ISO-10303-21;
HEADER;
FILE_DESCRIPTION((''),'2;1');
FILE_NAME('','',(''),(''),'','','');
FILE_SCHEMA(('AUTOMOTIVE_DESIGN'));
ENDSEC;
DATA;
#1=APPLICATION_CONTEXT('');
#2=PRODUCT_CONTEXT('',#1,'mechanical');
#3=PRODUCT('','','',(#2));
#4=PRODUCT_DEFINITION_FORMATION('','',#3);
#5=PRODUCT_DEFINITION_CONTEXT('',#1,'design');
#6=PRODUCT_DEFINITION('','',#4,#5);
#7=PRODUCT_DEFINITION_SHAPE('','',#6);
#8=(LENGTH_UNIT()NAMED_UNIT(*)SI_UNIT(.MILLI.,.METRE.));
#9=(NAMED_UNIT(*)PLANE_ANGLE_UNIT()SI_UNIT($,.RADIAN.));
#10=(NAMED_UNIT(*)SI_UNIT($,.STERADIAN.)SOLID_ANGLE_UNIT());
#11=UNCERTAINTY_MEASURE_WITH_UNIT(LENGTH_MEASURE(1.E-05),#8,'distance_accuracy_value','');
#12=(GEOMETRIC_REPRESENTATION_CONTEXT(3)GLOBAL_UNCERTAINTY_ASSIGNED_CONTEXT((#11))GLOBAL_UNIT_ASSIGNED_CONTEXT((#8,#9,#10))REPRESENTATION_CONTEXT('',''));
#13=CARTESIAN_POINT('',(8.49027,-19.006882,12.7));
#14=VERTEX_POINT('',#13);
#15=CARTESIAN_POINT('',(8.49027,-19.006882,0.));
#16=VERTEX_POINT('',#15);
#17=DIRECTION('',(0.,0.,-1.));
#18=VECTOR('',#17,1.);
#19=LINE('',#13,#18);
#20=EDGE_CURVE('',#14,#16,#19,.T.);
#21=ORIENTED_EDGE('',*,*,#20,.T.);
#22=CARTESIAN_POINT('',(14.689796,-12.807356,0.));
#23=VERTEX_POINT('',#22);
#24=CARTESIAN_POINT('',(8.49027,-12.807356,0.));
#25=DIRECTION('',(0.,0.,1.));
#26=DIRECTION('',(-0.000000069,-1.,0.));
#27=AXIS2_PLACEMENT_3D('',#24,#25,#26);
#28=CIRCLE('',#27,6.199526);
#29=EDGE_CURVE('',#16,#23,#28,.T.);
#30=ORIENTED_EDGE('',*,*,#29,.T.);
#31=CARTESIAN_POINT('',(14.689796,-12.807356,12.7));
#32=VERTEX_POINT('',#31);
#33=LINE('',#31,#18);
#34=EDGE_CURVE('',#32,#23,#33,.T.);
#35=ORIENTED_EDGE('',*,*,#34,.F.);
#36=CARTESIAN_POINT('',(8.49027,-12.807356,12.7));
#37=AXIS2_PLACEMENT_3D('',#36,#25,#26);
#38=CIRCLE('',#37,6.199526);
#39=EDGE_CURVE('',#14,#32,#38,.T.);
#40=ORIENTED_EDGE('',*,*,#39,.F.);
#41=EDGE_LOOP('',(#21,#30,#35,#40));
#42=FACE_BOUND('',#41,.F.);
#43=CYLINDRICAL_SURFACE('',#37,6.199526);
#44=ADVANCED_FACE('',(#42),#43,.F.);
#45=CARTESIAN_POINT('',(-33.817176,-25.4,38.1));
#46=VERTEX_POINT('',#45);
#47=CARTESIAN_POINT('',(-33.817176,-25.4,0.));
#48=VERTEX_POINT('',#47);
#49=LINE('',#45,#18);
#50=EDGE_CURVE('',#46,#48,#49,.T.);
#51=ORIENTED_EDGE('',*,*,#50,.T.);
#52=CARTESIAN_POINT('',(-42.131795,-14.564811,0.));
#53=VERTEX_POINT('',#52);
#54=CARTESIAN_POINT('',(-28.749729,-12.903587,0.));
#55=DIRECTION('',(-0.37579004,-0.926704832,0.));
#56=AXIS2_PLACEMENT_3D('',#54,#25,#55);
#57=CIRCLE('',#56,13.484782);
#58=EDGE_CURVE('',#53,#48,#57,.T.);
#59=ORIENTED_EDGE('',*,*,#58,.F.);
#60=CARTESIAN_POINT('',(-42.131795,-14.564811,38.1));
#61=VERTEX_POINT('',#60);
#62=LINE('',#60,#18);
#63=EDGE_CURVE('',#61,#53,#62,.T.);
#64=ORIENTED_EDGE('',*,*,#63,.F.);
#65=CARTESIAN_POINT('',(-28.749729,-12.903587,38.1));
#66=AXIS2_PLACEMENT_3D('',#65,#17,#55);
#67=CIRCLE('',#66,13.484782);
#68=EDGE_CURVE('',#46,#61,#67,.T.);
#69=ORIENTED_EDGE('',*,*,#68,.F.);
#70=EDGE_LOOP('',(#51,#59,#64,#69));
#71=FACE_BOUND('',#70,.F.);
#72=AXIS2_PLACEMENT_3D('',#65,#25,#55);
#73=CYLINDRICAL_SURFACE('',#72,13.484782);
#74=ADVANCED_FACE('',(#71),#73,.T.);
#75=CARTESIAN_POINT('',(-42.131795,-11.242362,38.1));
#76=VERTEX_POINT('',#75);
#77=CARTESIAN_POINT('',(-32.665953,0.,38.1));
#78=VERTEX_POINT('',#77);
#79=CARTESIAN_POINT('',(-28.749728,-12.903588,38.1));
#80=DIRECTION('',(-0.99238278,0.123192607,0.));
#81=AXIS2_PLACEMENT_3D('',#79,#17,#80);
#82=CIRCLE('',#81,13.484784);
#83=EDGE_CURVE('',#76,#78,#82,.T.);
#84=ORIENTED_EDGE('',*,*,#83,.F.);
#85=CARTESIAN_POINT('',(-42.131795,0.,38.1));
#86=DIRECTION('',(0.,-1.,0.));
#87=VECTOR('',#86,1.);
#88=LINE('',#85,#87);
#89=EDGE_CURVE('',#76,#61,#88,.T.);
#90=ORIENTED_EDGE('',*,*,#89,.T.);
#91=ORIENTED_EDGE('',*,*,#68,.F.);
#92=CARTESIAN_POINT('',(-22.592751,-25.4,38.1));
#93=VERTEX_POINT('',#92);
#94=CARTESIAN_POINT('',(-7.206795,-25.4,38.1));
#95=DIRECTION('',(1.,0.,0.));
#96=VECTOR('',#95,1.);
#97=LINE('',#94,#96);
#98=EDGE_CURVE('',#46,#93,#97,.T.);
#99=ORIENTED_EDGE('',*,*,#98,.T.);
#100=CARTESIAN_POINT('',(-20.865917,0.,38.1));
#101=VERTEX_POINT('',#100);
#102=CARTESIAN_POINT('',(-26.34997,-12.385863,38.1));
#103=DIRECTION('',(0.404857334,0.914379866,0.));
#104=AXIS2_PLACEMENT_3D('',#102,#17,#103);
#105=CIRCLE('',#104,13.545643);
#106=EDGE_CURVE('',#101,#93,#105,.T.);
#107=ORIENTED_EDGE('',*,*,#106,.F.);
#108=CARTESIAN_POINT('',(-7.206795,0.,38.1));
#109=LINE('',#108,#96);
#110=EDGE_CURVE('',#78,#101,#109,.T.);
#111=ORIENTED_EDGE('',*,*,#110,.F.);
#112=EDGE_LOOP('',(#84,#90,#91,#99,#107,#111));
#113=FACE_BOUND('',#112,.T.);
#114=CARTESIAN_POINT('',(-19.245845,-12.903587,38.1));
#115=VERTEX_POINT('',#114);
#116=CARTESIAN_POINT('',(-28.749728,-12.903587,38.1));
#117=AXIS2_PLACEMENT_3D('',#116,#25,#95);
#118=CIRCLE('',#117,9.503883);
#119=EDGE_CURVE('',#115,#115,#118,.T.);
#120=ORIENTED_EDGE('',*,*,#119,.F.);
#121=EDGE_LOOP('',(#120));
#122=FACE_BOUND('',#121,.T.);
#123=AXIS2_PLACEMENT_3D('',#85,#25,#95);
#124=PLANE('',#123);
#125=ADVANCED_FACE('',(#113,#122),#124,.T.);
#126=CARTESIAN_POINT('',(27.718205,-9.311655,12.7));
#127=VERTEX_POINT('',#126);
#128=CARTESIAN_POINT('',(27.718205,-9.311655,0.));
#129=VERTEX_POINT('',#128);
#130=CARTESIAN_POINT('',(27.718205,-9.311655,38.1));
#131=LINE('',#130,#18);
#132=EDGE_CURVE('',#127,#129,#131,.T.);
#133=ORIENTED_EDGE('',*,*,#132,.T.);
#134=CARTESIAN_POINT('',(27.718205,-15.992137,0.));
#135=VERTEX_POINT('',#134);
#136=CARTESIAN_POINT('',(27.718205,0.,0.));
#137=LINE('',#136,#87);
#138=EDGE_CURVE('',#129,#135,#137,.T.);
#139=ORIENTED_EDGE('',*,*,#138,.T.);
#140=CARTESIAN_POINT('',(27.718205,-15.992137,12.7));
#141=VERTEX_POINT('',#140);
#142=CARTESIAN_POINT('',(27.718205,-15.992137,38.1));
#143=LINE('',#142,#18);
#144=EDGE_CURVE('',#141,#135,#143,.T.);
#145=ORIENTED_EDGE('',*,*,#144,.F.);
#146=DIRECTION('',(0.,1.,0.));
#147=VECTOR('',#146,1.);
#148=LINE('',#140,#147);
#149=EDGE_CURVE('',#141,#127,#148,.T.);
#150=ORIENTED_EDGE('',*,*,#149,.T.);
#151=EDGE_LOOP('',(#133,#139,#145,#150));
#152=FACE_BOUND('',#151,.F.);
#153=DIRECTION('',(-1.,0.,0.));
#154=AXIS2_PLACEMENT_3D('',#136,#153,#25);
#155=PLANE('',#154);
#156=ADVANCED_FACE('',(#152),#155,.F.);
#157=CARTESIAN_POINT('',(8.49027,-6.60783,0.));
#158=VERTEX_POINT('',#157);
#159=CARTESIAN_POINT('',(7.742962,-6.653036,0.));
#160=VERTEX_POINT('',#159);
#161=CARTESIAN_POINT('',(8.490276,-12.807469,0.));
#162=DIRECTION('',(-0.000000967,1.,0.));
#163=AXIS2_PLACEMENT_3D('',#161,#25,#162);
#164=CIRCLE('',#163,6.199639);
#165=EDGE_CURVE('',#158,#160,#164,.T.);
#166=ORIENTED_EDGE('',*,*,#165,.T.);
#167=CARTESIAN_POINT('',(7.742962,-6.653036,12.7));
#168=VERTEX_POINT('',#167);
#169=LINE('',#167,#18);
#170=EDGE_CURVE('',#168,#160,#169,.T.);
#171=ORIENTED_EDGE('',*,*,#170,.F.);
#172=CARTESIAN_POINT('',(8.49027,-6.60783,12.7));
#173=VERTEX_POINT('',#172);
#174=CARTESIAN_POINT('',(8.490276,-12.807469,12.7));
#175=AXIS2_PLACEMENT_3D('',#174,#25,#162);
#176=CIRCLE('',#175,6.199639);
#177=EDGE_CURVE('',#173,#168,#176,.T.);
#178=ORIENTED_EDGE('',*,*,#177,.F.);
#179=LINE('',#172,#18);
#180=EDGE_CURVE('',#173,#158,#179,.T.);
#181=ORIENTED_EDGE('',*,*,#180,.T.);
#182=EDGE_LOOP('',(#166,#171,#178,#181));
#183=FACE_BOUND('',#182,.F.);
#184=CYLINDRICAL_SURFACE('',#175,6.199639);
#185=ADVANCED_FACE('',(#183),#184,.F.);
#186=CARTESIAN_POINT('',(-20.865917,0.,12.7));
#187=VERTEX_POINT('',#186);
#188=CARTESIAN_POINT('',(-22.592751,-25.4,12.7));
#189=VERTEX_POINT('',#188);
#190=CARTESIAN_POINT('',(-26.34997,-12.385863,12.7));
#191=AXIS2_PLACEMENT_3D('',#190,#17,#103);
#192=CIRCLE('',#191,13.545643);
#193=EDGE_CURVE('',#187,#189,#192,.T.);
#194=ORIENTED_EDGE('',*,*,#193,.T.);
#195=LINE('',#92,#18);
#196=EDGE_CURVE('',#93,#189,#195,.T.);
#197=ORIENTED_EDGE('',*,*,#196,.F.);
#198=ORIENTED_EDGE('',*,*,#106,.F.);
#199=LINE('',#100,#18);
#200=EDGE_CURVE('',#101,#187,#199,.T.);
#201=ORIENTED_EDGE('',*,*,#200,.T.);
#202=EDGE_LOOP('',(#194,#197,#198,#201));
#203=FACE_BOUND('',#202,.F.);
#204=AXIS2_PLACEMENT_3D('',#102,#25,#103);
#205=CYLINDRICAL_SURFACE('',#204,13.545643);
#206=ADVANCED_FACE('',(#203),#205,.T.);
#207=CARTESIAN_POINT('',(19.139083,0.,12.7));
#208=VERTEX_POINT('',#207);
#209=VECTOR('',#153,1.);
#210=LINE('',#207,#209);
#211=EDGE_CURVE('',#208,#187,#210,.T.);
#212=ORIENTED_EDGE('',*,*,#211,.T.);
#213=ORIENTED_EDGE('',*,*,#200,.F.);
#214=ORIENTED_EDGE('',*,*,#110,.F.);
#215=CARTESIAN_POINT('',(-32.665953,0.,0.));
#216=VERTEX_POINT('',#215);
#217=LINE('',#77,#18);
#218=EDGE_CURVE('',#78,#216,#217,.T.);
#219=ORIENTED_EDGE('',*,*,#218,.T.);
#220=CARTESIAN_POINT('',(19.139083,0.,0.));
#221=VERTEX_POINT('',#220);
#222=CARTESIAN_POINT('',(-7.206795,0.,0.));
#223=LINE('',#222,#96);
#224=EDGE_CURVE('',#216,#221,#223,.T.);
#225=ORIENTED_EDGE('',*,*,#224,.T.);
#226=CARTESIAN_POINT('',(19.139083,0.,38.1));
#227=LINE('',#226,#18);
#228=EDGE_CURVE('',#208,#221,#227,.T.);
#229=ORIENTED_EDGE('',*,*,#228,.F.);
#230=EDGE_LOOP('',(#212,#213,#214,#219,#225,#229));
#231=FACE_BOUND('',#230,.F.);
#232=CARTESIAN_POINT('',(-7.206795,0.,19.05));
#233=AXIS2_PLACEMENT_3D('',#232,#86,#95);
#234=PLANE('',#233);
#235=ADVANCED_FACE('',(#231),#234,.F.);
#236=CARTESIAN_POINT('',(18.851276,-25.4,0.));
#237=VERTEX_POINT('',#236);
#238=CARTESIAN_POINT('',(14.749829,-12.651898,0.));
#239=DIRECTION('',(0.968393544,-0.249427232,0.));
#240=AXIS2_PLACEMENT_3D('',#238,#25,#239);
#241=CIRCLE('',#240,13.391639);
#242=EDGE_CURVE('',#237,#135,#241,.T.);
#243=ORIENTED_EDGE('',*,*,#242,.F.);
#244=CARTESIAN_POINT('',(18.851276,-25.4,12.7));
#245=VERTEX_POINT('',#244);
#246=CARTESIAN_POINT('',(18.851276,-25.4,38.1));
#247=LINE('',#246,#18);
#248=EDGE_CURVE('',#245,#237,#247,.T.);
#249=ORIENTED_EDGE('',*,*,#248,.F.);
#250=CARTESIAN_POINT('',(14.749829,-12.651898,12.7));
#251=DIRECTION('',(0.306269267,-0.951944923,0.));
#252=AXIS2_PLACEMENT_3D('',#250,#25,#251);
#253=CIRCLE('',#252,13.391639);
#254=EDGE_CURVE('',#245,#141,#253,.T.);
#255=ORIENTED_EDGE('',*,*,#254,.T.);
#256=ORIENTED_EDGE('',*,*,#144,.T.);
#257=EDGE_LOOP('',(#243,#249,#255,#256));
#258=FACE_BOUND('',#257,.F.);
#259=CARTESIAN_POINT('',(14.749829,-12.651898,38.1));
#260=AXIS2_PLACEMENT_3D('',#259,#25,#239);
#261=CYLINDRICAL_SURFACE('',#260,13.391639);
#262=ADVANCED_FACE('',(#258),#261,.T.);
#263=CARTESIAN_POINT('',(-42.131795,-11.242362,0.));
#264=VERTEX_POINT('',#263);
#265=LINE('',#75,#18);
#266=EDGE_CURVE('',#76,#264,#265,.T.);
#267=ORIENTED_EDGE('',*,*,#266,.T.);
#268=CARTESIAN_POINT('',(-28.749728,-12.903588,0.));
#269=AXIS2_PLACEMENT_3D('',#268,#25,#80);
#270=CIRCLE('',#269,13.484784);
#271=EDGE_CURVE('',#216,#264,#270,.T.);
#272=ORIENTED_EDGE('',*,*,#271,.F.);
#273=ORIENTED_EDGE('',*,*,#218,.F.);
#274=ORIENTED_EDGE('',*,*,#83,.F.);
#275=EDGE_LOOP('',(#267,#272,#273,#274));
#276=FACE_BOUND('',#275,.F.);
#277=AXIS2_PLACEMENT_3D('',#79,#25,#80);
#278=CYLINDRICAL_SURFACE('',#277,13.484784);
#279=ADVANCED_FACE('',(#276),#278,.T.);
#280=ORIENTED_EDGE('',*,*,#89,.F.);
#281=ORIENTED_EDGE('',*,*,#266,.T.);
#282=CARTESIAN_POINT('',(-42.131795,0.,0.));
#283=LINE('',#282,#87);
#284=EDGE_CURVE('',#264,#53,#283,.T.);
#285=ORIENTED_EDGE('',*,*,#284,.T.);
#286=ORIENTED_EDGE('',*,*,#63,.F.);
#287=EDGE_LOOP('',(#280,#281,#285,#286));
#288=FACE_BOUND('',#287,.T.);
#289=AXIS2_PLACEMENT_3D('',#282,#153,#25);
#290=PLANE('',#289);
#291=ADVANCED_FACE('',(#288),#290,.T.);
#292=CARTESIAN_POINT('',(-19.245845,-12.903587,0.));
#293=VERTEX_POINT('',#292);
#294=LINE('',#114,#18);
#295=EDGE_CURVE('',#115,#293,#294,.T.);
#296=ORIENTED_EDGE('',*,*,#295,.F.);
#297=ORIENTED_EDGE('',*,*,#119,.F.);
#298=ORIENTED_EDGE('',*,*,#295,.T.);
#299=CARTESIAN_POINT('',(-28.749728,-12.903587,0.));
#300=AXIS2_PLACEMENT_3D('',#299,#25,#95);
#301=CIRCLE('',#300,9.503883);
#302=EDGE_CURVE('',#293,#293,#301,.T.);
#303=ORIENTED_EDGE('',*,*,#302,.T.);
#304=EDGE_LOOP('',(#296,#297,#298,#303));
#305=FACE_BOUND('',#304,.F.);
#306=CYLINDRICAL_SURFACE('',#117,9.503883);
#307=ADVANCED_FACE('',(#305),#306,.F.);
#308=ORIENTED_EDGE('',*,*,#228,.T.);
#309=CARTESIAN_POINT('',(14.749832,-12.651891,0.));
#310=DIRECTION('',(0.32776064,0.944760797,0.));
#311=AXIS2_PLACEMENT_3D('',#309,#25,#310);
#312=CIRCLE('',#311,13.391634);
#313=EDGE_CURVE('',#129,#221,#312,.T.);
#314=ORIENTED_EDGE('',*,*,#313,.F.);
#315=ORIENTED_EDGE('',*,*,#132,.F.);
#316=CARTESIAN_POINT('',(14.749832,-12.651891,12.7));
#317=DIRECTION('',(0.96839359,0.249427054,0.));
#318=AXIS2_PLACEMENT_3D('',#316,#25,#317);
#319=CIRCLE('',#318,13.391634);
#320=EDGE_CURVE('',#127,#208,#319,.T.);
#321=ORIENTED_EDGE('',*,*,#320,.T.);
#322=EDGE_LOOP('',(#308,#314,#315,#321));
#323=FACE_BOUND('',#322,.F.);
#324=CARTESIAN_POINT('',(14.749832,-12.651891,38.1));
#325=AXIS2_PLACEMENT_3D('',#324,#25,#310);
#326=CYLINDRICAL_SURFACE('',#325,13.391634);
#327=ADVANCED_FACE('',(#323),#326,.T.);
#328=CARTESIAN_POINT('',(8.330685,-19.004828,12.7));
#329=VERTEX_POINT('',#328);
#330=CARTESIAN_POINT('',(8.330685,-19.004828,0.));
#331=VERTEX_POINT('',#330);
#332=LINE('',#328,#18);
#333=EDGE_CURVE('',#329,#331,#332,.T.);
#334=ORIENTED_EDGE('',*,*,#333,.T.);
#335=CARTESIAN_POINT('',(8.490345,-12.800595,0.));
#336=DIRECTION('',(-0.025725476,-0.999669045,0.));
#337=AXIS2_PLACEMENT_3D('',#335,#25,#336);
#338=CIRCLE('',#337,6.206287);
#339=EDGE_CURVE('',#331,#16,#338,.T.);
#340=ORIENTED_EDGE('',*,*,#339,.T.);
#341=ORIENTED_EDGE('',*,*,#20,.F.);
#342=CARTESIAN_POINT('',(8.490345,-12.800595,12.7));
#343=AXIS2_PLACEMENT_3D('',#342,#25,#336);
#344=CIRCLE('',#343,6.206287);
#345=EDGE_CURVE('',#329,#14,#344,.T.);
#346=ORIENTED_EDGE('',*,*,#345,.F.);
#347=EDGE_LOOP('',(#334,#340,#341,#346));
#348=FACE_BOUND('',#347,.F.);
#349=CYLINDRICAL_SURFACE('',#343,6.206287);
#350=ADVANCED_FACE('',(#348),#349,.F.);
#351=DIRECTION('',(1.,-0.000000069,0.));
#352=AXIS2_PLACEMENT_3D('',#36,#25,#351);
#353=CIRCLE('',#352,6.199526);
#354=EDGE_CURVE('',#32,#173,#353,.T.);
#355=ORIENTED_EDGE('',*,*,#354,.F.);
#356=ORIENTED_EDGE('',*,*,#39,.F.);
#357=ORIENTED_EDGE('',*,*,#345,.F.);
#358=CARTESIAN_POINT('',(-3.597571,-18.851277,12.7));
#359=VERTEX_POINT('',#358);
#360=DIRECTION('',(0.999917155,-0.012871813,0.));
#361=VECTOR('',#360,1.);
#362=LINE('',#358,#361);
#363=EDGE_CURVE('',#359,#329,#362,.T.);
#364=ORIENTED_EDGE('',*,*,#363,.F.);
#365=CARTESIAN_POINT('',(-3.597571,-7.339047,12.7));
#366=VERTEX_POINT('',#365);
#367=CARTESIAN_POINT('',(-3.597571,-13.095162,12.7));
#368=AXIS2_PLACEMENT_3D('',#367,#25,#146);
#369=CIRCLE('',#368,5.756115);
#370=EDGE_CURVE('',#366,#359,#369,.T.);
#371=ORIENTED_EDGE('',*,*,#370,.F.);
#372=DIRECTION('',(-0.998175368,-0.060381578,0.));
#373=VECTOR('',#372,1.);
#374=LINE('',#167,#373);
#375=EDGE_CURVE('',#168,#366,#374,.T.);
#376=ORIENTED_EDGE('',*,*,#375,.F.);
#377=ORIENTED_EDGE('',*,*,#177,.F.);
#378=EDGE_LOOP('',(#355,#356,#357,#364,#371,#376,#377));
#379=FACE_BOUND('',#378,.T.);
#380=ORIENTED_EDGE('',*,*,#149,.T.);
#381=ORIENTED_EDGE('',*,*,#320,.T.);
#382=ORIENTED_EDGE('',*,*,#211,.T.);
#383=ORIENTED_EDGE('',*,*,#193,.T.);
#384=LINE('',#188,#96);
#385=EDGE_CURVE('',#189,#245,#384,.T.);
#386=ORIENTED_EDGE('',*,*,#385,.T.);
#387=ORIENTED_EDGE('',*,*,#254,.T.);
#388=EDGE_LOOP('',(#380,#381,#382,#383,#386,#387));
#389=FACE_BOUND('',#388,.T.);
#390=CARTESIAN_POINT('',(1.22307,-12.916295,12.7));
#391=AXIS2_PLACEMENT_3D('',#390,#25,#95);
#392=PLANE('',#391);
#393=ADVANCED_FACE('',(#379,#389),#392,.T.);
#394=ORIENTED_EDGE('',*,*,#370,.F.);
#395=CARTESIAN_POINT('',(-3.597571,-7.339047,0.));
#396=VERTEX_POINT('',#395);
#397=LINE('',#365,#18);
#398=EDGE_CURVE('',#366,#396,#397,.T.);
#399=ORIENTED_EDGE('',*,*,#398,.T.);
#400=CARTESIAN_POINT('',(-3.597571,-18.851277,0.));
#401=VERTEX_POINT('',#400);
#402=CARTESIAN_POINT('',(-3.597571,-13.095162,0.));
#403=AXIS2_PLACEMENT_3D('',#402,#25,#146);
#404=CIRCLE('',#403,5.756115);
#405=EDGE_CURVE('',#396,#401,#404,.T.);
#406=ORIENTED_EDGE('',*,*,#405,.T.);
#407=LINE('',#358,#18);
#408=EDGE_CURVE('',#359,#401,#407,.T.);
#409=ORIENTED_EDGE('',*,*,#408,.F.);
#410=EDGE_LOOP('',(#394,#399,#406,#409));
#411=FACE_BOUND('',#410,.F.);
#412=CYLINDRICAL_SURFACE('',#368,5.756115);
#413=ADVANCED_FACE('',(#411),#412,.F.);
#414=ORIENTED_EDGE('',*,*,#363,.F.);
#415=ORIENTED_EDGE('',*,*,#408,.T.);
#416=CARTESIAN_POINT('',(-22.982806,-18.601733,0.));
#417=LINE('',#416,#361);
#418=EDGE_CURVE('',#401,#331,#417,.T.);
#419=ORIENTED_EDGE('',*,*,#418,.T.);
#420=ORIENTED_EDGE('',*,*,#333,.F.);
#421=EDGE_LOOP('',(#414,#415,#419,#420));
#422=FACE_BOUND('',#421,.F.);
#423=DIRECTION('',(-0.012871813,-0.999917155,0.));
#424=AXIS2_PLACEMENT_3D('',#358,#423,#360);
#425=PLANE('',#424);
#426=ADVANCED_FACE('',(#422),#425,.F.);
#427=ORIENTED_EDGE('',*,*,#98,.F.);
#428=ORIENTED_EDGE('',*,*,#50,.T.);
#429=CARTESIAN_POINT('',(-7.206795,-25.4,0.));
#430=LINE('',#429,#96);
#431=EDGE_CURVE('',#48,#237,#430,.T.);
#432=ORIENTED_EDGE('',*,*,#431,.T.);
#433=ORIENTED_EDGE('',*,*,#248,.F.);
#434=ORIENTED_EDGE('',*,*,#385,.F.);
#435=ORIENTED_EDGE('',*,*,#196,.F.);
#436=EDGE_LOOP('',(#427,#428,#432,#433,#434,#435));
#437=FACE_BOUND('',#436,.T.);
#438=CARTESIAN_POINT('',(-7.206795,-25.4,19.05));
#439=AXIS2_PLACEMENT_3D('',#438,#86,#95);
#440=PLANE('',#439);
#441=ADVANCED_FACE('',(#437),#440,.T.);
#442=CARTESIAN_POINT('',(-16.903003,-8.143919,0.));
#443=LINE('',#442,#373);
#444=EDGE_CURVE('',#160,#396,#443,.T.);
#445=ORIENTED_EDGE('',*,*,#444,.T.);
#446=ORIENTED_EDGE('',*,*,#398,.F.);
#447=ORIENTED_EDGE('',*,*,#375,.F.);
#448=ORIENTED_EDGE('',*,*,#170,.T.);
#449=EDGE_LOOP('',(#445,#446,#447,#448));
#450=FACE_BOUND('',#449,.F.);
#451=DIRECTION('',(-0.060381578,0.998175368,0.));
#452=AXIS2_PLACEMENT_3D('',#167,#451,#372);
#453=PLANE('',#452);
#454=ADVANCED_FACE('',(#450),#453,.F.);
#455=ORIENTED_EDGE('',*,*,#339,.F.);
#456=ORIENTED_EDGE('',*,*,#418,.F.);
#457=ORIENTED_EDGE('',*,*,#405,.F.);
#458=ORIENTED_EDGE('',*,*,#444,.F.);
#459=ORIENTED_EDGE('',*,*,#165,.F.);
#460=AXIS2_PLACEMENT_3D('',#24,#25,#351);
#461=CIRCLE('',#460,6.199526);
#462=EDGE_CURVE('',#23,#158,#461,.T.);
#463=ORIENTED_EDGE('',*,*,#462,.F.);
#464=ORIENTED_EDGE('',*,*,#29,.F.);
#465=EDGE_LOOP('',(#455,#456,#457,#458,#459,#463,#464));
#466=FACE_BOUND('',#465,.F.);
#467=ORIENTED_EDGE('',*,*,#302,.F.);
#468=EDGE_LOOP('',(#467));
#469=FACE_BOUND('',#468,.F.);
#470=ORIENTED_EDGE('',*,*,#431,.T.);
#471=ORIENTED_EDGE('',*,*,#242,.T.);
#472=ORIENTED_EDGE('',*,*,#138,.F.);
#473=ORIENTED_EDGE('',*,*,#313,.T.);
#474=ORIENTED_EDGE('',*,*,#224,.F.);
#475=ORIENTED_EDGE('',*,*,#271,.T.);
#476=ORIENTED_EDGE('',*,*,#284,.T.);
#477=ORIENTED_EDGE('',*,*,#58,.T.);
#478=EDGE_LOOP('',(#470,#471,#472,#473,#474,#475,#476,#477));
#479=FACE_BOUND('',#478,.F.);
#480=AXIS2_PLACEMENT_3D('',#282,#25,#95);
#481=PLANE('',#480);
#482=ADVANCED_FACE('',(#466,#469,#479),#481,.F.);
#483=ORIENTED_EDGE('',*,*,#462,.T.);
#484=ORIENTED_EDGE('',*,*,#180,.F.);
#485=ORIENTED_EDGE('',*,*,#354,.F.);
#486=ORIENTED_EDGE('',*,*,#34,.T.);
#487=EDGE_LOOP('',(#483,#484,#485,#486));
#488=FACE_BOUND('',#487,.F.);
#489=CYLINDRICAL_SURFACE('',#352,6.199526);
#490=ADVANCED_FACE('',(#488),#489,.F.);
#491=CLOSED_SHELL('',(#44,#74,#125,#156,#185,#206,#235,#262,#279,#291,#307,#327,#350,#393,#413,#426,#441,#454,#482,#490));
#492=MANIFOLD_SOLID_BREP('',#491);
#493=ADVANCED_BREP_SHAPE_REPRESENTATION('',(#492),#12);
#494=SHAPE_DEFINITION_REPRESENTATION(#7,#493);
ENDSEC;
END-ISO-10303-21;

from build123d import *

# Parameters (mm, degrees)
F0_W     = 69.85
F0_H     = 38.1
F1_DEPTH = 25.4
F3_DEPTH = 38.101
F5_DEPTH = 25.4
F6_R     = 9.503883
F7_DEPTH = 38.101
F9_DEPTH = 12.701


with BuildPart() as f1:
    # F0 (on Front) → F1 (new body)
    with BuildSketch(Plane.XZ):
        with Locations((-7.206795, 19.05)):
            Rectangle(F0_W, F0_H)
    extrude(amount=F1_DEPTH)

    # F2 (on face) → F3 (cut, through all)
    with BuildSketch(Plane.XY.offset(38.1)):
        with BuildLine():
            ThreePointArc((-42.131795, -11.242362), (-39.065027, -4.218313), (-32.665953, 0))
            Line((-32.665953, 0), (-42.131795, 0))
            Line((-42.131795, 0), (-42.131795, -11.242362))
        make_face()
        with BuildLine():
            ThreePointArc((-33.817176, -25.4), (-39.447694, -21.112905), (-42.131795, -14.564811))
            Line((-42.131795, -14.564811), (-42.131795, -25.4))
            Line((-42.131795, -25.4), (-33.817176, -25.4))
        make_face()
        with BuildLine():
            Line((27.718205, -25.4), (27.718205, -15.992137))
            ThreePointArc((27.718205, -15.992137), (24.495171, -21.836901), (18.851276, -25.4))
            Line((18.851276, -25.4), (27.718205, -25.4))
        make_face()
        with BuildLine():
            Line((27.718205, 0), (19.139083, 0))
            ThreePointArc((19.139083, 0), (24.598614, -3.577897), (27.718205, -9.311655))
            Line((27.718205, -9.311655), (27.718205, 0))
        make_face()
    extrude(amount=-F3_DEPTH, mode=Mode.SUBTRACT)

    # F4 (on face) → F5 (cut)
    with BuildSketch(Plane.XY.offset(38.1)):
        with BuildLine():
            ThreePointArc((-20.865917, 0), (-12.835523, -13.304651), (-22.592751, -25.4))
            Line((-22.592751, -25.4), (18.851276, -25.4))
            ThreePointArc((18.851276, -25.4), (24.495171, -21.836901), (27.718205, -15.992137))
            Line((27.718205, -15.992137), (27.718205, -9.311655))
            ThreePointArc((27.718205, -9.311655), (24.598614, -3.577897), (19.139083, 0))
            Line((19.139083, 0), (-20.865917, 0))
        make_face()
    extrude(amount=-F5_DEPTH, mode=Mode.SUBTRACT)

    # F6 (on face) → F7 (cut, through all)
    with BuildSketch(Plane.XY.offset(38.1)):
        with Locations((-28.749728, -12.903587)):
            Circle(F6_R)
    extrude(amount=-F7_DEPTH, mode=Mode.SUBTRACT)

    # F8 (on face) → F9 (cut, through all)
    with BuildSketch(Plane.XY.offset(12.7)):
        with BuildLine():
            ThreePointArc((-3.597571, -18.851277), (0.472617, -17.16535), (2.158544, -13.095162))
            ThreePointArc((2.158544, -13.095162), (0.472617, -9.024974), (-3.597571, -7.339047))
            ThreePointArc((-3.597571, -7.339047), (-9.353686, -13.095162), (-3.597571, -18.851277))
        make_face()
        with BuildLine():
            ThreePointArc((-3.597571, -7.339047), (0.472617, -9.024974), (2.158544, -13.095162))
            ThreePointArc((2.158544, -13.095162), (0.472617, -17.16535), (-3.597571, -18.851277))
            Line((-3.597571, -18.851277), (8.330685, -19.004828))
            ThreePointArc((8.330685, -19.004828), (2.29775, -13.102009), (7.742962, -6.653036))
            Line((7.742962, -6.653036), (-3.597571, -7.339047))
        make_face()
        with BuildLine():
            Line((8.49027, -6.60783), (7.742962, -6.653036))
            ThreePointArc((7.742962, -6.653036), (2.29775, -13.102009), (8.330685, -19.004828))
            Line((8.330685, -19.004828), (8.49027, -19.006882))
            ThreePointArc((8.49027, -19.006882), (12.873997, -17.191083), (14.689796, -12.807356))
            ThreePointArc((14.689796, -12.807356), (12.873997, -8.423629), (8.49027, -6.60783))
        make_face()
        with BuildLine():
            ThreePointArc((8.49027, -6.60783), (8.115933, -6.619142), (7.742962, -6.653036))
            Line((7.742962, -6.653036), (8.49027, -6.60783))
        make_face()
        with BuildLine():
            Line((8.49027, -19.006882), (8.330685, -19.004828))
            ThreePointArc((8.330685, -19.004828), (8.410471, -19.006368), (8.49027, -19.006882))
        make_face()
    extrude(amount=-F9_DEPTH, mode=Mode.SUBTRACT)


solid = f1.part
